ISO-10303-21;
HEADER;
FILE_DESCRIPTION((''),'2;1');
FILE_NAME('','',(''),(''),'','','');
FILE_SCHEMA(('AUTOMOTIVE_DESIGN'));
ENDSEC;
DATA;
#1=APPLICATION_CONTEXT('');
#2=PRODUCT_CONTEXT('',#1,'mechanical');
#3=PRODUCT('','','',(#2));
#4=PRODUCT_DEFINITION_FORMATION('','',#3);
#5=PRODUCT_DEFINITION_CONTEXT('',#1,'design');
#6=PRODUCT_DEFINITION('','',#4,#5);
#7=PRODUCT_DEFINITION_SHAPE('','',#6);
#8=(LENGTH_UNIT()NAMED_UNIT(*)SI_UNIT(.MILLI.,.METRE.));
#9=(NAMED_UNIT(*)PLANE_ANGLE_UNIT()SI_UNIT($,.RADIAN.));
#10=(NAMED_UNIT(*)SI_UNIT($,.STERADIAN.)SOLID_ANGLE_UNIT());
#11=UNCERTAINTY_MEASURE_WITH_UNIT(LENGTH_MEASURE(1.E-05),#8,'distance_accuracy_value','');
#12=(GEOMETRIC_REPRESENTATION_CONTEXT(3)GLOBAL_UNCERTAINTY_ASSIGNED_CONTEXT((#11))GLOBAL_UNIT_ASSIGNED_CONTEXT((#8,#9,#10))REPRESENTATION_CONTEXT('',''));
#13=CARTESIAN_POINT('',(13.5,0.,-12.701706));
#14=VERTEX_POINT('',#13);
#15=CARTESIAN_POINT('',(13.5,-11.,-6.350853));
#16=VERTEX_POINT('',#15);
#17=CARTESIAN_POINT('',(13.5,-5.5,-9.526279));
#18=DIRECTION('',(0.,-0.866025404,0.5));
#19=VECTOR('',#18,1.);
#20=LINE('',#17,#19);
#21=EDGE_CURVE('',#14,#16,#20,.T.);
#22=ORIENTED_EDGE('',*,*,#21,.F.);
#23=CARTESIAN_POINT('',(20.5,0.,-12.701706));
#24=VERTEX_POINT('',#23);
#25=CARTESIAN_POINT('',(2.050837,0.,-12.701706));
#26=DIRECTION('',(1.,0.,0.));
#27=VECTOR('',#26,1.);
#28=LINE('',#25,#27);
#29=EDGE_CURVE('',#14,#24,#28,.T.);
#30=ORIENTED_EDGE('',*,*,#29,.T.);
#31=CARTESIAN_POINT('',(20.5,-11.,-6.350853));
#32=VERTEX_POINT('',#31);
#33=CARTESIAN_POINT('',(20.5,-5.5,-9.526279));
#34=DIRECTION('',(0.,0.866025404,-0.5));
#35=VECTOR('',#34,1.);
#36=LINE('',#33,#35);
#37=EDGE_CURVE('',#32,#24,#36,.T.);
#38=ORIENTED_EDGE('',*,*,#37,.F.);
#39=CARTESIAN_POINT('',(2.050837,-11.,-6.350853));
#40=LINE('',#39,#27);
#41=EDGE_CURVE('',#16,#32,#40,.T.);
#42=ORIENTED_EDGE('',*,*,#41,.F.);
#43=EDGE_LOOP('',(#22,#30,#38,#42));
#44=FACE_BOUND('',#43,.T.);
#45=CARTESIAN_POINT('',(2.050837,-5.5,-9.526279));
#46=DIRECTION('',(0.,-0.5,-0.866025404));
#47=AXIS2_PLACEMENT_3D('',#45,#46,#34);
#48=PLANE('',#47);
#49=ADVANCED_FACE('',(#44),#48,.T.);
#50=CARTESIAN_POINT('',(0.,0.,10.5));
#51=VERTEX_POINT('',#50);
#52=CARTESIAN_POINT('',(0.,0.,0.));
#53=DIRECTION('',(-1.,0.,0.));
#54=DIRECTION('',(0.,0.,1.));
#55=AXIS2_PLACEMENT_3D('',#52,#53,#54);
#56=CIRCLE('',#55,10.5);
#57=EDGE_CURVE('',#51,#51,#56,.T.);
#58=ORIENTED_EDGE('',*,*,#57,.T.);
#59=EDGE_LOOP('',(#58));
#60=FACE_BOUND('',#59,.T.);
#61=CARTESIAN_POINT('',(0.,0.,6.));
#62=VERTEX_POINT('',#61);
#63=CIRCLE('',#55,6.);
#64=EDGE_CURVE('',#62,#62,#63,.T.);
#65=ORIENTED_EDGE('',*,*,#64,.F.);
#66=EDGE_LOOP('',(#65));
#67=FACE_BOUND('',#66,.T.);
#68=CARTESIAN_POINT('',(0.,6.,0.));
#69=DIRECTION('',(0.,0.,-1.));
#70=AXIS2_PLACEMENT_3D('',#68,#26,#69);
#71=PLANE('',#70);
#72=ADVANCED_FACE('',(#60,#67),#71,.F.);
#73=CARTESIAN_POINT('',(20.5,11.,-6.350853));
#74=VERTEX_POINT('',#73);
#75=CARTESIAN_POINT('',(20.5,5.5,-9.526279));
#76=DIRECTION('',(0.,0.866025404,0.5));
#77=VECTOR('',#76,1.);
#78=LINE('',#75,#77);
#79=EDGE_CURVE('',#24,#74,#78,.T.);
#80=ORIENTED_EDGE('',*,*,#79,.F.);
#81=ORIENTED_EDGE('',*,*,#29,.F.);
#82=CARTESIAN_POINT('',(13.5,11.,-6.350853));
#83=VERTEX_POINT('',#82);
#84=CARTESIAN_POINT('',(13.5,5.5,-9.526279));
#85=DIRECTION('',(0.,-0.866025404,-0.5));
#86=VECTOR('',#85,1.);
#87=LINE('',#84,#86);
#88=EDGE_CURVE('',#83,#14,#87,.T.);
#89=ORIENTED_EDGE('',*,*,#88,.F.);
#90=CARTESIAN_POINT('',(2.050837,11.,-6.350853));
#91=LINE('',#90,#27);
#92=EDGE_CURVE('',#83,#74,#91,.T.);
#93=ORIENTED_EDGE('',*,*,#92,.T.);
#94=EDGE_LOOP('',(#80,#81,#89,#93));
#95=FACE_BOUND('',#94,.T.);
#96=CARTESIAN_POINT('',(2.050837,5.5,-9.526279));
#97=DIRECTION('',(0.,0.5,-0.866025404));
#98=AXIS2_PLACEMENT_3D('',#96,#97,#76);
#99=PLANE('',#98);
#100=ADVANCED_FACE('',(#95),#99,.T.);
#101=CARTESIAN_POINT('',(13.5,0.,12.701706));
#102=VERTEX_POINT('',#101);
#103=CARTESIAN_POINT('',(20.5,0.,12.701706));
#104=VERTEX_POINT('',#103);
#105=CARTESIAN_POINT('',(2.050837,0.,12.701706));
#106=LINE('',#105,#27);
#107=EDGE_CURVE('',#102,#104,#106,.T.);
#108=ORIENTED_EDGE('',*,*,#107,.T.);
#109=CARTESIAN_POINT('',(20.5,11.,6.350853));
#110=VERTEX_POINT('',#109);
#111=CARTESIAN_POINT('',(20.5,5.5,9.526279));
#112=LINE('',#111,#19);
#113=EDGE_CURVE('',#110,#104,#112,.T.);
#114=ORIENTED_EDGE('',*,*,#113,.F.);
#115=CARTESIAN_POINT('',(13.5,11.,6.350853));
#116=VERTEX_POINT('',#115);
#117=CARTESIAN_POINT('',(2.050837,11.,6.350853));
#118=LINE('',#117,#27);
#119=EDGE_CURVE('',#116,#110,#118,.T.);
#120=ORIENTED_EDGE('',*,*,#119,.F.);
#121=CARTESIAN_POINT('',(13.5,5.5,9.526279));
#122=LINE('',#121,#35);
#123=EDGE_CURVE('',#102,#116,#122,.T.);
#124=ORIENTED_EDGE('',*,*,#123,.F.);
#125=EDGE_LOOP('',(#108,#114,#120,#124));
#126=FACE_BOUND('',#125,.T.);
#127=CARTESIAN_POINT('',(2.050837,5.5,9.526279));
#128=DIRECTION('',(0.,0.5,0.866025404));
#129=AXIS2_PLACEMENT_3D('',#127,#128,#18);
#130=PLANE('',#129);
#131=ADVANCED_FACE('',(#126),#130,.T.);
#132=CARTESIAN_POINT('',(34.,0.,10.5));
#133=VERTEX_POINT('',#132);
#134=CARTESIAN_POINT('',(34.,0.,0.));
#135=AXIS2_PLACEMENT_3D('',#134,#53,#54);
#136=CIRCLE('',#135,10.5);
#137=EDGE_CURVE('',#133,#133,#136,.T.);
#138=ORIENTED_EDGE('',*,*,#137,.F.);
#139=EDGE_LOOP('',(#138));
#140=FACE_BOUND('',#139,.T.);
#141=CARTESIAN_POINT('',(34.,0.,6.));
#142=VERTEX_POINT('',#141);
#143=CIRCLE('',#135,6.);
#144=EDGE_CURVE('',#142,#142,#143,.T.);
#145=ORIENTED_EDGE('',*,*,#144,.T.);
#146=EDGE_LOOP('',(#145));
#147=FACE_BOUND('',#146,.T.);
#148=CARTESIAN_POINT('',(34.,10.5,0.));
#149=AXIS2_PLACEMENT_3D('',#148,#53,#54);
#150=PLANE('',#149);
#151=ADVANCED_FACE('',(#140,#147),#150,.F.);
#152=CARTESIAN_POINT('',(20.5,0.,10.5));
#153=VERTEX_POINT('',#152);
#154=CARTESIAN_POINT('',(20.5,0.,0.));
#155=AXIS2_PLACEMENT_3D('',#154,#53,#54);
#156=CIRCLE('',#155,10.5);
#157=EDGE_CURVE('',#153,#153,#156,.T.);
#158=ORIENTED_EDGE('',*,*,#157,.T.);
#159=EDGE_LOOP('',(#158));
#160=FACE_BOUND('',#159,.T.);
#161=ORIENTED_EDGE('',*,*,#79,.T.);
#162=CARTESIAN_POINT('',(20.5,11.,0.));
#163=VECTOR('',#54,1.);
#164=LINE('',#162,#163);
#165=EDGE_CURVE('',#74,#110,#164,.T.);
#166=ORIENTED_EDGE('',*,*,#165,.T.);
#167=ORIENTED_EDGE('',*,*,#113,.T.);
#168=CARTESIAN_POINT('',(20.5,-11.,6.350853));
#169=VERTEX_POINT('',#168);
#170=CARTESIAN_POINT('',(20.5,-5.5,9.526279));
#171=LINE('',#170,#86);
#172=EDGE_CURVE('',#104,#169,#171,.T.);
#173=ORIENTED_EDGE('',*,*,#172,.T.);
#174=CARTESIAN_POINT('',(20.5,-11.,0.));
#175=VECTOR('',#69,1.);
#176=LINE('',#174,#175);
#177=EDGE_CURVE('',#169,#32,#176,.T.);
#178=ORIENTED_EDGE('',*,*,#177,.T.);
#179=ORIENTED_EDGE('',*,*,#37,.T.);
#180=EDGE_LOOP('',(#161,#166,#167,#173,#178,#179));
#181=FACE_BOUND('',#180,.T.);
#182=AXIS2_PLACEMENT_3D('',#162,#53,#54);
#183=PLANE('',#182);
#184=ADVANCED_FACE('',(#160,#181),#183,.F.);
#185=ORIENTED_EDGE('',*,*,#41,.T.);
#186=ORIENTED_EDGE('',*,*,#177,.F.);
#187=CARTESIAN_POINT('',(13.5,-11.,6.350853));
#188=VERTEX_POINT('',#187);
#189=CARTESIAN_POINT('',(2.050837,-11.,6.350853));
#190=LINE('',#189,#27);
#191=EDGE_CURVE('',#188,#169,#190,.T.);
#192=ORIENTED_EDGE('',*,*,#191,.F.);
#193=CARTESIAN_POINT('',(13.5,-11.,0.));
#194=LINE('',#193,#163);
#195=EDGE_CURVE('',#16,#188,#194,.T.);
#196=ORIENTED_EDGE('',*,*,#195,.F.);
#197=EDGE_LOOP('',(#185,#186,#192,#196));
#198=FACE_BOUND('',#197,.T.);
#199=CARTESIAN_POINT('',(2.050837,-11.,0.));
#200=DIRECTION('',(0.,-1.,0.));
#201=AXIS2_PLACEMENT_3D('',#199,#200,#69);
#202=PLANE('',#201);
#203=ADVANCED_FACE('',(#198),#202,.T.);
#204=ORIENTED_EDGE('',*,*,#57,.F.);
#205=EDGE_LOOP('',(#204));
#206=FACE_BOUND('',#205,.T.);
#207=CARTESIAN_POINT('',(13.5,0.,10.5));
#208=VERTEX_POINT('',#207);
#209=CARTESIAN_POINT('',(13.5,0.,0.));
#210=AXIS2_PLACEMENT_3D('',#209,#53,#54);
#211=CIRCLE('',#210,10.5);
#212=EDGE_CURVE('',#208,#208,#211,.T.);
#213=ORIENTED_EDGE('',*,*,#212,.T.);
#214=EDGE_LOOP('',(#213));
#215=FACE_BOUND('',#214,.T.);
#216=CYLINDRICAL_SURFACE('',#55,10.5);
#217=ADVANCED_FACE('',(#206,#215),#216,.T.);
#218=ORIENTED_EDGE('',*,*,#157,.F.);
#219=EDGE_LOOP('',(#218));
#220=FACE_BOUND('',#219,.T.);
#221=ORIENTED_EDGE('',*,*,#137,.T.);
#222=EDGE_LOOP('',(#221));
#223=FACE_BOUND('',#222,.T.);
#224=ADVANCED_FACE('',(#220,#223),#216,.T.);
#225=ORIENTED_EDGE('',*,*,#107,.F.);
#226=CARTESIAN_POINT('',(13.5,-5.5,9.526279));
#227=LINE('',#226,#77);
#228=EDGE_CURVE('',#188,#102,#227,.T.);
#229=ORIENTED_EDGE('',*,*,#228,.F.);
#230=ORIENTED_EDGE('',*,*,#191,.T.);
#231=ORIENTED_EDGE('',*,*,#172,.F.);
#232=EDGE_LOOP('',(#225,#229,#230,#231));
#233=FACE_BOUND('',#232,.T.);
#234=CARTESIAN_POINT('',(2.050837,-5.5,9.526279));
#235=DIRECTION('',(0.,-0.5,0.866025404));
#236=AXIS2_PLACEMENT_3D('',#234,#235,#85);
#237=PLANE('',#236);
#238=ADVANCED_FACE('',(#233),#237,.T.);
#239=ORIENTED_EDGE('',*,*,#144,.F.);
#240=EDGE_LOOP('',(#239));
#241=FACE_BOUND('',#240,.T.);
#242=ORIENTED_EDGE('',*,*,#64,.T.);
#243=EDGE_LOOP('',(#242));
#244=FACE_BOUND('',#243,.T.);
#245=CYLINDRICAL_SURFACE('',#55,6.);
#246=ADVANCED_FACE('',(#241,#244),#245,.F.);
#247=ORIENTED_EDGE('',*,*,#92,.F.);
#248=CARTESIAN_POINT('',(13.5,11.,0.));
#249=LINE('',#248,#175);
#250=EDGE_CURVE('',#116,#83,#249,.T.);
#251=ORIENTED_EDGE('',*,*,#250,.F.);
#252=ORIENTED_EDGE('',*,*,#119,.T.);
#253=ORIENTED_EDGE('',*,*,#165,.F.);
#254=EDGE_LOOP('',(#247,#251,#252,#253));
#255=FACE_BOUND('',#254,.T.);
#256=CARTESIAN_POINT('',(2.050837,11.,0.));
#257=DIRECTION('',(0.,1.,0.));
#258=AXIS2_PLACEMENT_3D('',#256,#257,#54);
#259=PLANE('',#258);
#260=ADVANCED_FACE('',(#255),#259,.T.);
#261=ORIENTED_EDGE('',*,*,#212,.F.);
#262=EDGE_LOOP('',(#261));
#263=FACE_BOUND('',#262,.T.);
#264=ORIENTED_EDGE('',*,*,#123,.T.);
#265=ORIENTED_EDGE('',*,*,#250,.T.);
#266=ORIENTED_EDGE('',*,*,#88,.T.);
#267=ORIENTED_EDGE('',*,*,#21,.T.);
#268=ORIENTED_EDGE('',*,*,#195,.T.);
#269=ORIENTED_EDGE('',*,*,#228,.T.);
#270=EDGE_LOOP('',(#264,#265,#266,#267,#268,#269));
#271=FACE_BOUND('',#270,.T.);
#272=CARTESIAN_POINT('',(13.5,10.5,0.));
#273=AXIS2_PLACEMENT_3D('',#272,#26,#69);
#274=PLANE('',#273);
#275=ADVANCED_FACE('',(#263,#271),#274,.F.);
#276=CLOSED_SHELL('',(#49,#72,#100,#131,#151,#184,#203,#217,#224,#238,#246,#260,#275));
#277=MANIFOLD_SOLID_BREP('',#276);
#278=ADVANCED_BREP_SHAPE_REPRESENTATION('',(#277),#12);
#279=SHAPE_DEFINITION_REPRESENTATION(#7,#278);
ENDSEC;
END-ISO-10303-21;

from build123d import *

# Parameters (mm, degrees)
ESTRUSIONE_ESTRUSIONE1_DEPTH = 7


with BuildPart() as part:
    # Schizzo1 → Rivoluzione1 (revolve)
    with BuildSketch(Plane.XY, mode=Mode.PRIVATE) as rivoluzione1_sk:
        Polygon((0, 6), (0, 10.5), (13.5, 10.5), (13.5, 11), (20.5, 11), (20.5, 10.5), (34, 10.5), (34, 6), align=None)
    revolve(rivoluzione1_sk.sketch.rotate(Axis((0, 0, 0), (1, 0, 0)), 90), axis=Axis((0, 0, 0), (1, 0, 0)))

    # Schizzo2 → Estrusione-Estrusione1 (add)
    with BuildSketch(Plane(origin=(20.5, 0, 0), x_dir=(0, 0, -1), z_dir=(1, 0, 0))):
        with BuildLine():
            Line((-9.526279218, 5.500000386), (-12.701705922, 0))
            Line((-12.701705922, 0), (-9.526279182, -5.50000045))
            ThreePointArc((-9.526279182, -5.50000045), (-11, -3.7e-08), (-9.526279218, 5.500000386))
        make_face()
        with BuildLine():
            Line((-6.350852961, 11), (-9.526279218, 5.500000386))
            ThreePointArc((-9.526279218, 5.500000386), (-5.499999807, 9.526279553), (0, 11))
            Line((0, 11), (-6.350852961, 11))
        make_face()
        with BuildLine():
            Line((6.350852961, 11), (0, 11))
            ThreePointArc((0, 11), (5.499999692, 9.526279619), (9.526279086, 5.500000616))
            Line((9.526279086, 5.500000616), (6.350852961, 11))
        make_face()
        with BuildLine():
            ThreePointArc((0, -11), (-5.499999775, -9.526279572), (-9.526279182, -5.50000045))
            Line((-9.526279182, -5.50000045), (-6.350852961, -11))
            Line((-6.350852961, -11), (0, -11))
        make_face()
        with BuildLine():
            ThreePointArc((9.526279182, -5.50000045), (5.499999775, -9.526279572), (0, -11))
            Line((0, -11), (6.350852961, -11))
            Line((6.350852961, -11), (9.526279182, -5.50000045))
        make_face()
        with BuildLine():
            ThreePointArc((11, 0), (10.625184022, -2.847009747), (9.526279182, -5.50000045))
            Line((9.526279182, -5.50000045), (12.701705922, 0))
            Line((12.701705922, 0), (9.526279086, 5.500000616))
            ThreePointArc((9.526279086, 5.500000616), (10.625183997, 2.84700984), (11, 0))
        make_face()
    extrude(amount=-ESTRUSIONE_ESTRUSIONE1_DEPTH)


solid = part.part
